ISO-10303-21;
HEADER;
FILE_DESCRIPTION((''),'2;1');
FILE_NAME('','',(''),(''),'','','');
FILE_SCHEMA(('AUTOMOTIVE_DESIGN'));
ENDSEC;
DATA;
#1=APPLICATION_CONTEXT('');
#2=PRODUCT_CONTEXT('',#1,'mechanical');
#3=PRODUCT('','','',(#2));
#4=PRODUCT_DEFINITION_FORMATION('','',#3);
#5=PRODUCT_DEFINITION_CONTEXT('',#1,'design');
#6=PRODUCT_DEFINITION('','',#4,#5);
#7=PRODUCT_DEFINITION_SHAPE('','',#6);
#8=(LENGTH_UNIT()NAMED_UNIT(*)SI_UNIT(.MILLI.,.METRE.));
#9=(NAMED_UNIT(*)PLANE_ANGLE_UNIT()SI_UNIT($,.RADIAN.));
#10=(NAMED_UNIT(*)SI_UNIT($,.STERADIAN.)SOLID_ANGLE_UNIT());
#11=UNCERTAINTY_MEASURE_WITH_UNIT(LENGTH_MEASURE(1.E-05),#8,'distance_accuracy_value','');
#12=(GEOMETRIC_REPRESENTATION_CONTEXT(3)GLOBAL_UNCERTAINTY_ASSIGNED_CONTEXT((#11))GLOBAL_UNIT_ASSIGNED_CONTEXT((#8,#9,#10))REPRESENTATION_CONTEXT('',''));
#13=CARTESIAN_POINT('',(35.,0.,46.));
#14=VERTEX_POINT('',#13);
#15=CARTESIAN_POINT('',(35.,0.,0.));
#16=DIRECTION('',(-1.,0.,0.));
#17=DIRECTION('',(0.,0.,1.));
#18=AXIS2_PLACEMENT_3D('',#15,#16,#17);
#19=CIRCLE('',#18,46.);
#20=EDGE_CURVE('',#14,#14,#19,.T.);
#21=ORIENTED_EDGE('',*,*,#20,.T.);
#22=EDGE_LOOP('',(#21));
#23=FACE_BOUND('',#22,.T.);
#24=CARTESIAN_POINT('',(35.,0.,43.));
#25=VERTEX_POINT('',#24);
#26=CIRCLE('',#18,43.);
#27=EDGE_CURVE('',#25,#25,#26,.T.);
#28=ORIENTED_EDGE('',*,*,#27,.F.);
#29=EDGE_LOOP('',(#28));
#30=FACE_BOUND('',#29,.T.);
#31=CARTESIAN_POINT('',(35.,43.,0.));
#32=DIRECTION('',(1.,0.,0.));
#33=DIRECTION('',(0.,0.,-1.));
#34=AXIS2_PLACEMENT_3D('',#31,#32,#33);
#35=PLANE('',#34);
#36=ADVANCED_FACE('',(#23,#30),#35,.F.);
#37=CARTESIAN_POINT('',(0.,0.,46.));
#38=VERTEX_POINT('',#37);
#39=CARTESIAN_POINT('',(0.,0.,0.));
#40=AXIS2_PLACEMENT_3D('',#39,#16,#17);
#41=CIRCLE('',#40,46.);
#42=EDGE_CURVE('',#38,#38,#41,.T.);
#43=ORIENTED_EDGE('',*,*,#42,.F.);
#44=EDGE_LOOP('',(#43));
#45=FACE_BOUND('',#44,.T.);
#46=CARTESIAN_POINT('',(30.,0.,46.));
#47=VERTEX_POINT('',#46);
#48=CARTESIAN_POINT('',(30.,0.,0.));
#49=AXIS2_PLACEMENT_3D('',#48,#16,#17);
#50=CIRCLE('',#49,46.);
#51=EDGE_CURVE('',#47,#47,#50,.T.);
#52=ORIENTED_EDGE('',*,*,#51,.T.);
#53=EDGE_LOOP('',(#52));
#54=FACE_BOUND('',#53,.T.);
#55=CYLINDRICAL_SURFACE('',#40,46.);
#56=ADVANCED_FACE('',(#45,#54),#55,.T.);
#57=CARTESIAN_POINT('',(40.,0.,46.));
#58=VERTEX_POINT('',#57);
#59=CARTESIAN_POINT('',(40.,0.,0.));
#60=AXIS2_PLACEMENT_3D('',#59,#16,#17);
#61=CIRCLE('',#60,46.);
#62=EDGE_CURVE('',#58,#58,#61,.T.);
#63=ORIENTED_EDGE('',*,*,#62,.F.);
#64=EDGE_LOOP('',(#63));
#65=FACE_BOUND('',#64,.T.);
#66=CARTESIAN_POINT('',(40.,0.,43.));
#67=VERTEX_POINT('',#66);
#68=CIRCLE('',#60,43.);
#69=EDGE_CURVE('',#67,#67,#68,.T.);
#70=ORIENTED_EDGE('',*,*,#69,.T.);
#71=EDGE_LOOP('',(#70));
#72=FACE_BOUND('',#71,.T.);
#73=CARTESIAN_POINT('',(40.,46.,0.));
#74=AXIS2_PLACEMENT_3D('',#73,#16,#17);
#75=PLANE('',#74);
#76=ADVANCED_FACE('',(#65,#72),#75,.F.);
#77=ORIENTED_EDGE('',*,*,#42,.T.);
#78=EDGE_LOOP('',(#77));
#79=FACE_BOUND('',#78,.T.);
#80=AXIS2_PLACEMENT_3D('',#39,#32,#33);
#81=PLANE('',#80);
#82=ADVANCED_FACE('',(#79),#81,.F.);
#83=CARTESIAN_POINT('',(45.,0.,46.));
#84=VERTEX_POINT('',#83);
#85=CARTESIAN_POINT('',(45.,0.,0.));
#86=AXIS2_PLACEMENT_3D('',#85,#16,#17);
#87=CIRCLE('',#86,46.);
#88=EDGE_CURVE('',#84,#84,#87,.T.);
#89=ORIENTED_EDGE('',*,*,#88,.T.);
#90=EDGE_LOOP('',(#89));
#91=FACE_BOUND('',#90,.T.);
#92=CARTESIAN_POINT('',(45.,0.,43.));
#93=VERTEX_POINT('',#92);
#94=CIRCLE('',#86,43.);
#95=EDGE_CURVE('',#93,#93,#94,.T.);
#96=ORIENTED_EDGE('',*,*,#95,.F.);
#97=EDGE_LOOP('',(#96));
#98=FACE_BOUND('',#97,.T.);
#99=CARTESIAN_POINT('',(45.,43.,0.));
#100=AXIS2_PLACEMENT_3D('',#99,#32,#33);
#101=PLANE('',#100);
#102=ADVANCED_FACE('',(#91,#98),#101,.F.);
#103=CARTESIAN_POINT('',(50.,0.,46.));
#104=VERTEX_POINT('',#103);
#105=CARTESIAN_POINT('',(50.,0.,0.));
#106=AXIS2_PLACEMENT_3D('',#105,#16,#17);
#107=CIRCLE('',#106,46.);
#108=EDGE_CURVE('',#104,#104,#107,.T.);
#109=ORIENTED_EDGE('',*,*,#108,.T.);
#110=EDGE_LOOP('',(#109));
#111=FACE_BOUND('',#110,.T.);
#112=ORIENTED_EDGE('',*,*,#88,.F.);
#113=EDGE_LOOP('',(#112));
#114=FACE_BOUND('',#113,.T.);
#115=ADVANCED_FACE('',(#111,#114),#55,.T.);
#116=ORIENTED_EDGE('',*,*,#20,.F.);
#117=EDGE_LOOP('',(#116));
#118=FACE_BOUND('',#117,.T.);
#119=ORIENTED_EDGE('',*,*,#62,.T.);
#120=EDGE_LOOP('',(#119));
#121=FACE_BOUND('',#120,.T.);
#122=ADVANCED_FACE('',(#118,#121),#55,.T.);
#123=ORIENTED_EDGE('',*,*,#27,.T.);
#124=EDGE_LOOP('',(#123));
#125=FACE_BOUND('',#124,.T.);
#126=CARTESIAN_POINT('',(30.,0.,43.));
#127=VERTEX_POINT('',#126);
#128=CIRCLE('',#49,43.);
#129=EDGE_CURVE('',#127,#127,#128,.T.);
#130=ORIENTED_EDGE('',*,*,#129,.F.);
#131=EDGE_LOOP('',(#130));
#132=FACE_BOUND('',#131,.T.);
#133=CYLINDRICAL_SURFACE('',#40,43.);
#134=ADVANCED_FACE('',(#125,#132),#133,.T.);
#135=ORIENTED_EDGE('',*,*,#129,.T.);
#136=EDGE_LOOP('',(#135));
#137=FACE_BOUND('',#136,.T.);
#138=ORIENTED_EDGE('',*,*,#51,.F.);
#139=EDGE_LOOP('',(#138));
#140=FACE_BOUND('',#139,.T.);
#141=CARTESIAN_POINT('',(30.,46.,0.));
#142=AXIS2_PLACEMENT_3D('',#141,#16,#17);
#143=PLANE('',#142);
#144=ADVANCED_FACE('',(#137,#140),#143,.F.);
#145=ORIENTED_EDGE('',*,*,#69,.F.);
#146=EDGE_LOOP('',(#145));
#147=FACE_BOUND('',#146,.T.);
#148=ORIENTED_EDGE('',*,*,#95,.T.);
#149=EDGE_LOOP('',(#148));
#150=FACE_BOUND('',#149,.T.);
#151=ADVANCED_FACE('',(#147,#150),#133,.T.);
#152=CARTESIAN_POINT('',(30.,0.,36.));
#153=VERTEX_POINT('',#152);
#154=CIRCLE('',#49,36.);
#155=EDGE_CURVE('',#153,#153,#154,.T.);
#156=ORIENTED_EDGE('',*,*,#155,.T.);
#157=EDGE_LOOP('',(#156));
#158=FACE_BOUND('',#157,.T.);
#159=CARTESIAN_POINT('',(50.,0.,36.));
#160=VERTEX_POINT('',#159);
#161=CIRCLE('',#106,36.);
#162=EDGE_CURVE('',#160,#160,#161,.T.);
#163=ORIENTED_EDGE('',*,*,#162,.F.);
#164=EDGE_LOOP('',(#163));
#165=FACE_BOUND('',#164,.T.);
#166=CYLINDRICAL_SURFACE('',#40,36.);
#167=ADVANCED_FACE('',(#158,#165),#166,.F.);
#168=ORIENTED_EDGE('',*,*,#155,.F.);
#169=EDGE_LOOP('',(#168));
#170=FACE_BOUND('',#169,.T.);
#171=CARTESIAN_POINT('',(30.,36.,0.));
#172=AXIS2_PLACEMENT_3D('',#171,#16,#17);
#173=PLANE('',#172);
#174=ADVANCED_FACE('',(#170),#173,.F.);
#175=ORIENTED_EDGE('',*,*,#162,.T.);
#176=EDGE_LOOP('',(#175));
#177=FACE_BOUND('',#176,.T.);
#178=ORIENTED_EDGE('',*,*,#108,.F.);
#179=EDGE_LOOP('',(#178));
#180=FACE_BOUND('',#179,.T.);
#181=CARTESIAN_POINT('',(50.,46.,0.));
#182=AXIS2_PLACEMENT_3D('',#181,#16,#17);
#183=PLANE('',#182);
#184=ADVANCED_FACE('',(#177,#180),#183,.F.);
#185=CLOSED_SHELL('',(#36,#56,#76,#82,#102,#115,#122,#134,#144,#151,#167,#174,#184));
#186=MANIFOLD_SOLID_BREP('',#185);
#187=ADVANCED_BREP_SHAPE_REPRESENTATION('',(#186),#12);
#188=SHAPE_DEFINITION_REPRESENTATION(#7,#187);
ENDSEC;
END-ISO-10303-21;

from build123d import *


with BuildPart() as part:
    # Sketch1 → Revolve1 (revolve)
    with BuildSketch(Plane.XY):
        Polygon((0, 0), (0, 46), (30, 46), (30, 43), (35, 43), (35, 46), (40, 46), (40, 43), (45, 43), (45, 46), (50, 46), (50, 36), (30, 36), (30, 0), align=None)
    revolve(axis=Axis((0, 0, 0), (1, 0, 0)))


solid = part.part
